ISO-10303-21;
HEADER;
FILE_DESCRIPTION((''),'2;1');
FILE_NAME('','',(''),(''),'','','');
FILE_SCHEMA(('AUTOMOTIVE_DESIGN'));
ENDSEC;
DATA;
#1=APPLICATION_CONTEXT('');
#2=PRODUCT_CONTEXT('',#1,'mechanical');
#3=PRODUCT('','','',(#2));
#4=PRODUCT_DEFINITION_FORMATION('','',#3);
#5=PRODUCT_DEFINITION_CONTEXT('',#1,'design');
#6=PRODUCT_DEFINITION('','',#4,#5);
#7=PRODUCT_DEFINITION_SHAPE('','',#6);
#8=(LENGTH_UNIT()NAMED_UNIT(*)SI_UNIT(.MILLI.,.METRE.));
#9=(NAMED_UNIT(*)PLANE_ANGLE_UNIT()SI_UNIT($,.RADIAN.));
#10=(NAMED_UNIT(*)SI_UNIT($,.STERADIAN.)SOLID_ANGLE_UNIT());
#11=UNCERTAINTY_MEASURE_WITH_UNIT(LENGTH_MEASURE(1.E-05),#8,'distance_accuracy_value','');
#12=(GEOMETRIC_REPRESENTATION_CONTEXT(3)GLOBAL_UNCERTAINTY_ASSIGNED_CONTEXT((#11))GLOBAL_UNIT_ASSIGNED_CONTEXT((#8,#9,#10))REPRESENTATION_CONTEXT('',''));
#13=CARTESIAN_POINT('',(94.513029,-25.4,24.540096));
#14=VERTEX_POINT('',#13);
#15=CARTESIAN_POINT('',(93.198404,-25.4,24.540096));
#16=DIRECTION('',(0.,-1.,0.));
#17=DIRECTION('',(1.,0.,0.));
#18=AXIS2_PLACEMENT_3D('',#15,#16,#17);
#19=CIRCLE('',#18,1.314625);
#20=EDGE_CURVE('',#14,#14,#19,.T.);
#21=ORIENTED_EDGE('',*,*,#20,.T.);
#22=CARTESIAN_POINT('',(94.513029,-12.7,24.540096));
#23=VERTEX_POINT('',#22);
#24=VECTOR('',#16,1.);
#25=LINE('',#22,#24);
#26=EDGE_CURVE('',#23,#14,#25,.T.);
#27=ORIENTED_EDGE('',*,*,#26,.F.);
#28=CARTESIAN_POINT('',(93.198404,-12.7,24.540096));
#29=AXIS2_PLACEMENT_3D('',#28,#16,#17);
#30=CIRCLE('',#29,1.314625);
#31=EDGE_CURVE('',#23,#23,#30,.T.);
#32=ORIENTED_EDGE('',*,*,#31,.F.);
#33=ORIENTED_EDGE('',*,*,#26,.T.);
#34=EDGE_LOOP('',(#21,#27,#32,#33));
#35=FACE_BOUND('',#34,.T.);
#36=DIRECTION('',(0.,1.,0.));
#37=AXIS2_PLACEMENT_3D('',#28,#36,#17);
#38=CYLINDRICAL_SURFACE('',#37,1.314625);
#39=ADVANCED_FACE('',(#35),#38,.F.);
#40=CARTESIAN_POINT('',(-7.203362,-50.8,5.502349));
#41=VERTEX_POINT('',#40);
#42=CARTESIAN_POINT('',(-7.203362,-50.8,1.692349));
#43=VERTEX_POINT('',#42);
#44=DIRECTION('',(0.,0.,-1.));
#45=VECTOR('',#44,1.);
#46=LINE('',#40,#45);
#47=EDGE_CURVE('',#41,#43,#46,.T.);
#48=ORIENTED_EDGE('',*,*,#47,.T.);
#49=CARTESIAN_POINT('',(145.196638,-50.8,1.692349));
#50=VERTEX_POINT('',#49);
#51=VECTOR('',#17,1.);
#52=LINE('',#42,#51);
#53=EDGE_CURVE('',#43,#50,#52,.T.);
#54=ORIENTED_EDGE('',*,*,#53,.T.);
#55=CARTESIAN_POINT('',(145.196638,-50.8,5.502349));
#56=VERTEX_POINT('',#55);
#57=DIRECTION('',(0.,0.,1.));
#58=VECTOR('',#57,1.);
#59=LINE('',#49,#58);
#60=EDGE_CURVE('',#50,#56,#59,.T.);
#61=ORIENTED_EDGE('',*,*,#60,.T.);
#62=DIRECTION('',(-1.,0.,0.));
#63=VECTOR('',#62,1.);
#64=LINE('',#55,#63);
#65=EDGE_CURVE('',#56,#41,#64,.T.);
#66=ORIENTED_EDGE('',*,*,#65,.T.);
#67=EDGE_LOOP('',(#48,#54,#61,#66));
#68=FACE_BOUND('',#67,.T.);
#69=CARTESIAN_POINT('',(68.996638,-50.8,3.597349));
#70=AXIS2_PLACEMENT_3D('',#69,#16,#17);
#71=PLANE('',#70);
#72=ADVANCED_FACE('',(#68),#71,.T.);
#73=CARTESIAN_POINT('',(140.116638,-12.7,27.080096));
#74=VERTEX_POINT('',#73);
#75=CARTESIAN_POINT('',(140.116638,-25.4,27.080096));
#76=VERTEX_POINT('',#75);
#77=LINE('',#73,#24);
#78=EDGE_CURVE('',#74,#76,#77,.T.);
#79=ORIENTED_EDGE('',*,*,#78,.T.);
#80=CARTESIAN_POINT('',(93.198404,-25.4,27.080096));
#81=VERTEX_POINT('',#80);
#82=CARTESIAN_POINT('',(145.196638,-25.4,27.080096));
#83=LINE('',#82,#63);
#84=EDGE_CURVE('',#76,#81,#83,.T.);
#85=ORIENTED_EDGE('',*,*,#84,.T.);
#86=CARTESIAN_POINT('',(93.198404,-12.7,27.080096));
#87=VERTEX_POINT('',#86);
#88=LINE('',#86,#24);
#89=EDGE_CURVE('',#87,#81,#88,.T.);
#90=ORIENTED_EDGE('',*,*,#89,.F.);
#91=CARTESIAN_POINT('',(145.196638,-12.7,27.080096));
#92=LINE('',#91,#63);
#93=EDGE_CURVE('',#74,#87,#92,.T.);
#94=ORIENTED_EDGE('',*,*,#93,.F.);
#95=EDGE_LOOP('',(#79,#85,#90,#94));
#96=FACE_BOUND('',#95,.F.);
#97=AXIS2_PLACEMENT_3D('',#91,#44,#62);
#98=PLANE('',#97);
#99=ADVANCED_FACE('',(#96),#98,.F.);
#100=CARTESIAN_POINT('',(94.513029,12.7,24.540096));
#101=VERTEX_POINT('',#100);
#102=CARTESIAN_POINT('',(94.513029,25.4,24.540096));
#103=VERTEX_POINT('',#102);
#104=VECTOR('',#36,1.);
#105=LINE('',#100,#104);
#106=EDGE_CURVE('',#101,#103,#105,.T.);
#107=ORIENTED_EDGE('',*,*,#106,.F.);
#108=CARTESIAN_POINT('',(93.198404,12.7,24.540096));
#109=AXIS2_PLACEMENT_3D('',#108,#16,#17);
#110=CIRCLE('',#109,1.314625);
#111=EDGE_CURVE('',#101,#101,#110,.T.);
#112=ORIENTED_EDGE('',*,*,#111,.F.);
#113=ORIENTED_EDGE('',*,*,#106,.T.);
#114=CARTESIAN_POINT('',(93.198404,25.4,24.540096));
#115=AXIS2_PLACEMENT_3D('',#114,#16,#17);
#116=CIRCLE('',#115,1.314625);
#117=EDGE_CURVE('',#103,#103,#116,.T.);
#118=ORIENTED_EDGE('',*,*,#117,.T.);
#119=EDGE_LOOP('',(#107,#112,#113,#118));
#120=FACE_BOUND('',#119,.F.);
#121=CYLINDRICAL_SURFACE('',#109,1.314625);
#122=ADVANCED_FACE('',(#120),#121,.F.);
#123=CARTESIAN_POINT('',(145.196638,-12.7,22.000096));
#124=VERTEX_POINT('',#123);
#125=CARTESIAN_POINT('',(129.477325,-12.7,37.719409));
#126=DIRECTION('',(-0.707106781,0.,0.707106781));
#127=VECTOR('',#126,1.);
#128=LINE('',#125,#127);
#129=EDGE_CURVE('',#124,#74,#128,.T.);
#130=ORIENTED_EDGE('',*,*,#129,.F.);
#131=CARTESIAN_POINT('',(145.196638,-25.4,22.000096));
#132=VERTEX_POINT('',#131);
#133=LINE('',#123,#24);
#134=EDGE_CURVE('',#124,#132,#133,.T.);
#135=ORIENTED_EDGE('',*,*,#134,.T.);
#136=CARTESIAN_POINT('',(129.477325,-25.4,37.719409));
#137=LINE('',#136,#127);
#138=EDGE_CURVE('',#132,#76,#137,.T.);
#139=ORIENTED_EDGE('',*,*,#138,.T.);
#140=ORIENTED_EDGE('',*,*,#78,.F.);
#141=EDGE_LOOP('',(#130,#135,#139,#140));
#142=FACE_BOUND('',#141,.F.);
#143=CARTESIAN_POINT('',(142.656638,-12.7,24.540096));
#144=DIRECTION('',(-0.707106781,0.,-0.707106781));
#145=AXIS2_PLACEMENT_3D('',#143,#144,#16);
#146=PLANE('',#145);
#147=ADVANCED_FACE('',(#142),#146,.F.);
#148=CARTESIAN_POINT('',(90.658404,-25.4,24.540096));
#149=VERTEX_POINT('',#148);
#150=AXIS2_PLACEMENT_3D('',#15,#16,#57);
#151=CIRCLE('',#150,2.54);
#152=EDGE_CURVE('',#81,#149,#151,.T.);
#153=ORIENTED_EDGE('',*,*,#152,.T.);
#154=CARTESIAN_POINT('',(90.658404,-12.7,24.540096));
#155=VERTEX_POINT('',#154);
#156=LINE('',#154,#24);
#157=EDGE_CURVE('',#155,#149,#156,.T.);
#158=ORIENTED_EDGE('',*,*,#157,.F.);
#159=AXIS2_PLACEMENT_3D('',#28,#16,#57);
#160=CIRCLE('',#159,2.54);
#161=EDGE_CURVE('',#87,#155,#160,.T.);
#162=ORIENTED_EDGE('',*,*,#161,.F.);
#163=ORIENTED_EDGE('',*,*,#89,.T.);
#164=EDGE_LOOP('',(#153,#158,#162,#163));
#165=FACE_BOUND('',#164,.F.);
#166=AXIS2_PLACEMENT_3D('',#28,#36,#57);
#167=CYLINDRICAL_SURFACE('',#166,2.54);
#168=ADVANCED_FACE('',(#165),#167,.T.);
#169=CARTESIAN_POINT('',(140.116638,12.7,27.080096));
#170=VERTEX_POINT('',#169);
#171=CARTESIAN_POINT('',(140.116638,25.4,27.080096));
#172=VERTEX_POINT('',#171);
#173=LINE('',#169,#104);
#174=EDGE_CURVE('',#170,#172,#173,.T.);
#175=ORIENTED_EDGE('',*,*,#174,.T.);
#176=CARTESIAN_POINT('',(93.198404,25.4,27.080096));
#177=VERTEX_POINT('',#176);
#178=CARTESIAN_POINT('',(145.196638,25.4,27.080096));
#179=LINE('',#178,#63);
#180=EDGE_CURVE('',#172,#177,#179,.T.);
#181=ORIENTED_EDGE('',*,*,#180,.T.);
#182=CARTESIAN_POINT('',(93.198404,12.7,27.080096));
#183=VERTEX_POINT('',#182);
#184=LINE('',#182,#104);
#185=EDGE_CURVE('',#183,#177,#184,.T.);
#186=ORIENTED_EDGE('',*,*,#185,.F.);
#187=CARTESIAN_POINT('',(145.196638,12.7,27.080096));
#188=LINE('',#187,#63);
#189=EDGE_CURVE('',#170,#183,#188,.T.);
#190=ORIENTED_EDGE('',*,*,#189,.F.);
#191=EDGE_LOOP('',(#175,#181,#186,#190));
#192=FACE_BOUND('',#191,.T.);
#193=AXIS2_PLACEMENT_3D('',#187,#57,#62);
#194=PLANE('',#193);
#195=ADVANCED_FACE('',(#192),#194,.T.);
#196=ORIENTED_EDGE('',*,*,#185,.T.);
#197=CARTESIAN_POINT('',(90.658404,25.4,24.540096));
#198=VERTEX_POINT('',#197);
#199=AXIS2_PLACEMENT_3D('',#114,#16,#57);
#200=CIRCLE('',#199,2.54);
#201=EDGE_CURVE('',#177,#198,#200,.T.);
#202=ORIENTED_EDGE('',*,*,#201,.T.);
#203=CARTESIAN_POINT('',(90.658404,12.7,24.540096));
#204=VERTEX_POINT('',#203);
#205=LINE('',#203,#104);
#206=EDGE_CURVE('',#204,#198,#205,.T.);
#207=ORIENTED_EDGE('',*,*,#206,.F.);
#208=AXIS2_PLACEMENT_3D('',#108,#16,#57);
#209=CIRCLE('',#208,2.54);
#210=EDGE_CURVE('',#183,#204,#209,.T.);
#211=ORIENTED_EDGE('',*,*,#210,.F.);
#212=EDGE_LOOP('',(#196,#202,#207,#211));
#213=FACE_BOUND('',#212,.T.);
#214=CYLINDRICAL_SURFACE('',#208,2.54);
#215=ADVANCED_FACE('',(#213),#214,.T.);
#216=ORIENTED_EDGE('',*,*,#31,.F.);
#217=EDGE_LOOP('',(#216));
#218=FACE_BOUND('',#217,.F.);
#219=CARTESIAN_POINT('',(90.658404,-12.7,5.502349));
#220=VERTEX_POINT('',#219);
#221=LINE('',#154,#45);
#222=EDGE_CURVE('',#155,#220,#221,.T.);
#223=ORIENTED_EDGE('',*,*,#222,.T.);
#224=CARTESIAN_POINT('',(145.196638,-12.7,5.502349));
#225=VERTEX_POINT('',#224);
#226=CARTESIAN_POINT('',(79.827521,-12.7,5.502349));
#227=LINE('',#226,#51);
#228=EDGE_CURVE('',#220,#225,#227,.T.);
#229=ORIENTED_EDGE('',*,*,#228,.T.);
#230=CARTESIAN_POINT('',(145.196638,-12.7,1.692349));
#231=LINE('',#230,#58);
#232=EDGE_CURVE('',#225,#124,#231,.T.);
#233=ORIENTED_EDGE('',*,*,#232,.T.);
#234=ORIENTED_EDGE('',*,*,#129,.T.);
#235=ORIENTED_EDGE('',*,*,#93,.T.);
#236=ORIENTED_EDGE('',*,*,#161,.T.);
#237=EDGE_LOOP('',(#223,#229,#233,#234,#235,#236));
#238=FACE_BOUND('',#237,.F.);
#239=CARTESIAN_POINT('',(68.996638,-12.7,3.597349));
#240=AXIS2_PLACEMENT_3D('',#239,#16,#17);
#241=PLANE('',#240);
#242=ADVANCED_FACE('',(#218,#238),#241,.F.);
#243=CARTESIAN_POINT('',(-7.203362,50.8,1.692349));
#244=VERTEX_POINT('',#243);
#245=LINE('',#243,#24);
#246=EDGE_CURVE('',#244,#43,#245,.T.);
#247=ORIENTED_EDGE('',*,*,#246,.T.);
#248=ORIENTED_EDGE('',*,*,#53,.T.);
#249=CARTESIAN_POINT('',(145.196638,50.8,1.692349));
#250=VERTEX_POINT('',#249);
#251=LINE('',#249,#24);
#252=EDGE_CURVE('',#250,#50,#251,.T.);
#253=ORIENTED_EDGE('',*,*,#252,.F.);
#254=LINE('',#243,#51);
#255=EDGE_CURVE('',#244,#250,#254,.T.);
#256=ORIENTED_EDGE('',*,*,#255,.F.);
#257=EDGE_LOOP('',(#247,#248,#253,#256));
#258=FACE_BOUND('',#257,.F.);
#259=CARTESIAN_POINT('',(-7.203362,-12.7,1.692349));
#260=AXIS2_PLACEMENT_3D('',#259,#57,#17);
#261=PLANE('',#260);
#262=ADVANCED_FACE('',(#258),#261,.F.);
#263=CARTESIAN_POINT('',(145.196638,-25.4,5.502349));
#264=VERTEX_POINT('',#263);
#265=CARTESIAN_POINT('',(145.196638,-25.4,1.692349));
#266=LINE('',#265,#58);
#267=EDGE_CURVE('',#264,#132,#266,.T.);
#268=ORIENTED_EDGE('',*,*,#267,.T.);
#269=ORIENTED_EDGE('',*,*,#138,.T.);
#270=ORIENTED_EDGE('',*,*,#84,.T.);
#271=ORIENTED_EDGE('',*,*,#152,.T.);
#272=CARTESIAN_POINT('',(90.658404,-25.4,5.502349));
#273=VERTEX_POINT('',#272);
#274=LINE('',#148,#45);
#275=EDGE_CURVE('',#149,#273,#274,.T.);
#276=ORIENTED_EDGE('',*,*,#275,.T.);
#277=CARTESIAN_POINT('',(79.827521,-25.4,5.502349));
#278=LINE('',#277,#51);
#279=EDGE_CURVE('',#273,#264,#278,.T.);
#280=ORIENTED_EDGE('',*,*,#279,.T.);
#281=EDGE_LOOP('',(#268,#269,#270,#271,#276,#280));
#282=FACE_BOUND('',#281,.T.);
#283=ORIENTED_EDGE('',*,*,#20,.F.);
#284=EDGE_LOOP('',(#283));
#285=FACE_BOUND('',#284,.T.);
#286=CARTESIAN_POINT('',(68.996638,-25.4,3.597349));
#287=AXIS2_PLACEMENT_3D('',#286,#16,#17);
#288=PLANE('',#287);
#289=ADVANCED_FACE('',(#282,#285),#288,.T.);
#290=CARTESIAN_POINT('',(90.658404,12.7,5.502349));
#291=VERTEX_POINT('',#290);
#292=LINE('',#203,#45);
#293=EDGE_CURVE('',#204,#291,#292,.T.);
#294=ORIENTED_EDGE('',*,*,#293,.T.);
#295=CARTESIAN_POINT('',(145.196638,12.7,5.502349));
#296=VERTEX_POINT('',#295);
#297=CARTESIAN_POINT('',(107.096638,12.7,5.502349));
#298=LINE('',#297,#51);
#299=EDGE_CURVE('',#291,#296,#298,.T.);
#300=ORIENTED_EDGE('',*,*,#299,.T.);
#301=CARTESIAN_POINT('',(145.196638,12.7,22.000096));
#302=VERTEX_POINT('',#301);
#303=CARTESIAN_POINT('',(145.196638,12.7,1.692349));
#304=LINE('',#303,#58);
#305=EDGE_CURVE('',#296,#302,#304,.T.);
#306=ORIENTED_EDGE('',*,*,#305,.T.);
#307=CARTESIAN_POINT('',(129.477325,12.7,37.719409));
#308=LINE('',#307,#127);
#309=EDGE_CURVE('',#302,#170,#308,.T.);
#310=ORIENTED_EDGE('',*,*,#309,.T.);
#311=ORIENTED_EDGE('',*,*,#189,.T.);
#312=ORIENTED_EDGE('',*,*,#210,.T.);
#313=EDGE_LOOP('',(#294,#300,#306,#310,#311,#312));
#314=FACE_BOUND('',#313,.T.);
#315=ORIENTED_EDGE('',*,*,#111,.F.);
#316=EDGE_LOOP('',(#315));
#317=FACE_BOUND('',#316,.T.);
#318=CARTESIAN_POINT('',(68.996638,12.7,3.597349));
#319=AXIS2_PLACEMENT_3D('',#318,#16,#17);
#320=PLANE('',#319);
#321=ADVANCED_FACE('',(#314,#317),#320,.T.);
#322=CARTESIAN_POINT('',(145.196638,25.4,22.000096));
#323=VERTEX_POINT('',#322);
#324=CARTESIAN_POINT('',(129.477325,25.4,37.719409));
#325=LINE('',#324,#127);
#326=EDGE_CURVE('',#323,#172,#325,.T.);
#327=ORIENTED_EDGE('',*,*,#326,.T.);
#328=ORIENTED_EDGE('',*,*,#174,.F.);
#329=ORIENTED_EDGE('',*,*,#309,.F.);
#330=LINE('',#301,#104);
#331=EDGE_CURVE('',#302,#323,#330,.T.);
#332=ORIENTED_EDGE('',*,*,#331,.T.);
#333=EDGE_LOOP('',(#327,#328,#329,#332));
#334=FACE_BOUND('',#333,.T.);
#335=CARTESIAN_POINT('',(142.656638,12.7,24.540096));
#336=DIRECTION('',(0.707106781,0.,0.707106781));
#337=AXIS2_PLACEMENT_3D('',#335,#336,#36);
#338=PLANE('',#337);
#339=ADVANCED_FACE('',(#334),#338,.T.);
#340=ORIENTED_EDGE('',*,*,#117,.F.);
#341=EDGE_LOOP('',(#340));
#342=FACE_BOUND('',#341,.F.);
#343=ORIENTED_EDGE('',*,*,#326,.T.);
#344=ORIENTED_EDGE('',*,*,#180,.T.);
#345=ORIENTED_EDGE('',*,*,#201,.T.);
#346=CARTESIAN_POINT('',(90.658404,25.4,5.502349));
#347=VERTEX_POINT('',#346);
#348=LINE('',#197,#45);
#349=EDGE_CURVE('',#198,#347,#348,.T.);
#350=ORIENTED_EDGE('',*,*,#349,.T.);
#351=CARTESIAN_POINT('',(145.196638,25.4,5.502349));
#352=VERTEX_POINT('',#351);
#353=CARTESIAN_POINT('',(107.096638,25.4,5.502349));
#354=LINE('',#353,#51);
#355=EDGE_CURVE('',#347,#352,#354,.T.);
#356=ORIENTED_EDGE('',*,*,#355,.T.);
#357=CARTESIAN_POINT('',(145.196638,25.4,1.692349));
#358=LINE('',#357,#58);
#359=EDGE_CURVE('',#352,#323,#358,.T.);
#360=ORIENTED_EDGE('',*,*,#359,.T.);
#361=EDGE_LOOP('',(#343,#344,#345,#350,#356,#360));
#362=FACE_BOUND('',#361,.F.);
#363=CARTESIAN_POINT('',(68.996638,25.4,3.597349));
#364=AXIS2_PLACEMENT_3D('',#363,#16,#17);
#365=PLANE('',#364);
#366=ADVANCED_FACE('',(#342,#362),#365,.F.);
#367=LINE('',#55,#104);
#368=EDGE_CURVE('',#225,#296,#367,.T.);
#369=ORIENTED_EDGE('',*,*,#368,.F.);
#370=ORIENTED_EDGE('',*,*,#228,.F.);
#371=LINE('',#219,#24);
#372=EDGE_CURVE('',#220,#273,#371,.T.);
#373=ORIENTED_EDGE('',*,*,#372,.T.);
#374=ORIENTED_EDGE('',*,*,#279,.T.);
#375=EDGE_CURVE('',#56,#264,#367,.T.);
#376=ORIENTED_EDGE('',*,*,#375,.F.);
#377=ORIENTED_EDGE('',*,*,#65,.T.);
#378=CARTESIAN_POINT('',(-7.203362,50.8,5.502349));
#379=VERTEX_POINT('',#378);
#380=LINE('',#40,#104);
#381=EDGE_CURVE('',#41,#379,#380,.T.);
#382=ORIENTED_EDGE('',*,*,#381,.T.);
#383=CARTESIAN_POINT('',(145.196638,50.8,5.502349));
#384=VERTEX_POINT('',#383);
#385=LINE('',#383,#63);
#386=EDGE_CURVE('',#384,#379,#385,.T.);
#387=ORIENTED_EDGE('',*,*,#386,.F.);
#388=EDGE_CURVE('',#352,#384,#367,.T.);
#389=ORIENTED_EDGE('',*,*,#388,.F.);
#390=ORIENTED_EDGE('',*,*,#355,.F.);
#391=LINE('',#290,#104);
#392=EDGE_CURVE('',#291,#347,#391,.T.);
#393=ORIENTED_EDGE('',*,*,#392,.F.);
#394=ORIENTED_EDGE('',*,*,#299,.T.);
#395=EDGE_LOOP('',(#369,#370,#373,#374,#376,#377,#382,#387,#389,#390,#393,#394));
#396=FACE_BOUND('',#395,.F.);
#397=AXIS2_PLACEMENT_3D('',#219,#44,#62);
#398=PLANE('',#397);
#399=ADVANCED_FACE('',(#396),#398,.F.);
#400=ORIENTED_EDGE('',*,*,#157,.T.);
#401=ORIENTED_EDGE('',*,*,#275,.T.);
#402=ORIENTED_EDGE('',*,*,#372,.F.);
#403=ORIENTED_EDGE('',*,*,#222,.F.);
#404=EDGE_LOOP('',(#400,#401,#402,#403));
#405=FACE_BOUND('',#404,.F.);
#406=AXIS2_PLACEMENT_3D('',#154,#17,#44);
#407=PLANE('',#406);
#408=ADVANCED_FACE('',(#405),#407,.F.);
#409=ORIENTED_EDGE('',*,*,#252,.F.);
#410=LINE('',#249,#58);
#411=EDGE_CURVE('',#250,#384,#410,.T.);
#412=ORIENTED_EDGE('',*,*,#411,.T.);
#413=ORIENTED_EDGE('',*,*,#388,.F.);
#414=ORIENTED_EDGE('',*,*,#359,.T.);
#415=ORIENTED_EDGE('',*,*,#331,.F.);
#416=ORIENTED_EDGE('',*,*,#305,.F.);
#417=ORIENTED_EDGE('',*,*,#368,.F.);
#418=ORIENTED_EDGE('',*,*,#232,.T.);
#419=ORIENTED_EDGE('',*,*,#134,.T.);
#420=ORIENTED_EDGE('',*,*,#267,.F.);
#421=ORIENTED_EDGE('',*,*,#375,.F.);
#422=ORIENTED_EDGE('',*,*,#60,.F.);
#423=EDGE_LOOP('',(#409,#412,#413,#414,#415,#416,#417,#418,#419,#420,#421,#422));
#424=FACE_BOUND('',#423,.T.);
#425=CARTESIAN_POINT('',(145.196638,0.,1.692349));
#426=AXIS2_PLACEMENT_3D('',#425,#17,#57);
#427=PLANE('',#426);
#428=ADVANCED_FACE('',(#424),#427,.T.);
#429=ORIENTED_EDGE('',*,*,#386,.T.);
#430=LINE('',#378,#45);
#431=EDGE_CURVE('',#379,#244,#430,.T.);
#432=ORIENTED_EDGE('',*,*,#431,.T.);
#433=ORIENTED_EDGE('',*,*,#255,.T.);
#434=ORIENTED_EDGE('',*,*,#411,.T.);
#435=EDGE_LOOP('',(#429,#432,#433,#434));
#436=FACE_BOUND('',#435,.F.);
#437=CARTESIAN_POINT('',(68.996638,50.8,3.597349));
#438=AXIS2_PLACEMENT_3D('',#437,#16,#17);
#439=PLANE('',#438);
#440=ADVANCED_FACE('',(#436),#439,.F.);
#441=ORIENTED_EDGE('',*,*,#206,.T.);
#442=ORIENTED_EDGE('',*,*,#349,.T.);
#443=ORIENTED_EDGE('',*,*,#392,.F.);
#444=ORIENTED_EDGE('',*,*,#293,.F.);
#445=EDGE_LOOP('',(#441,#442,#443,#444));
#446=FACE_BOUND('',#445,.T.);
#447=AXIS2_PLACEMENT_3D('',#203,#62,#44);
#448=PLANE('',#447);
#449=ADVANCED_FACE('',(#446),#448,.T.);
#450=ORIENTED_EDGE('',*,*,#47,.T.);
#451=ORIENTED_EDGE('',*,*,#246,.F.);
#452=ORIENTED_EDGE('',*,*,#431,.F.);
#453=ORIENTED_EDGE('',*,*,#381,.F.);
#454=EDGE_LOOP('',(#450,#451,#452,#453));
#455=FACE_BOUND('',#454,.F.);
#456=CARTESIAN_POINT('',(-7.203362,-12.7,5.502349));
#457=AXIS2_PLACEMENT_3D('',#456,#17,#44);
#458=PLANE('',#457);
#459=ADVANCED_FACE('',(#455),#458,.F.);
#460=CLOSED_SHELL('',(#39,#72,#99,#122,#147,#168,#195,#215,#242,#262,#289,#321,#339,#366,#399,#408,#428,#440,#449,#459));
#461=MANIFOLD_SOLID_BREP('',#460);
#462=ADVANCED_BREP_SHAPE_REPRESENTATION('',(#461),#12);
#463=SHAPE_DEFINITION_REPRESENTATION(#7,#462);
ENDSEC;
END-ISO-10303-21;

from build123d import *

# Parameters (mm, degrees)
F1_DEPTH = 50.8
F2_START = -12.7
F0_R     = 1.3146247551
F2_DEPTH = 12.7
F3_START = 12.7
F3_DEPTH = 12.7
F4_SIZE  = 5.08


with BuildPart() as f1:
    # F0 (on Front) → F1 (new body, symmetric)
    with BuildSketch(Plane.XZ):
        Polygon((90.658403933, 5.5023488702), (-7.2033622317, 5.5023488702), (-7.2033622317, 1.6923488702), (145.1966377683, 1.6923488702), (145.1966377683, 5.5023488702), align=None)
    extrude(amount=F1_DEPTH, both=True)

    # F0 (on Front) → F2 (join)
    with BuildSketch(Plane.XZ.offset(F2_START)):
        Polygon((90.658403933, 5.5023488702), (-7.2033622317, 5.5023488702), (-7.2033622317, 1.6923488702), (145.1966377683, 1.6923488702), (145.1966377683, 5.5023488702), align=None)
        with BuildLine():
            Line((90.658403933, 24.540095979), (90.658403933, 5.5023488702))
            Line((90.658403933, 5.5023488702), (145.1966377683, 5.5023488702))
            Line((145.1966377683, 5.5023488702), (145.1966377683, 27.080095979))
            Line((145.1966377683, 27.080095979), (93.198403933, 27.080095979))
            ThreePointArc((93.198403933, 27.080095979), (91.4023527088, 26.3361472032), (90.658403933, 24.540095979))
        make_face()
        with Locations((93.198403933, 24.540095979)):
            Circle(F0_R, mode=Mode.SUBTRACT)
    extrude(amount=-F2_DEPTH)

    # F0 (on Front) → F3 (join)
    with BuildSketch(Plane.XZ.offset(F3_START)):
        Polygon((90.658403933, 5.5023488702), (-7.2033622317, 5.5023488702), (-7.2033622317, 1.6923488702), (145.1966377683, 1.6923488702), (145.1966377683, 5.5023488702), align=None)
        with BuildLine():
            Line((90.658403933, 24.540095979), (90.658403933, 5.5023488702))
            Line((90.658403933, 5.5023488702), (145.1966377683, 5.5023488702))
            Line((145.1966377683, 5.5023488702), (145.1966377683, 27.080095979))
            Line((145.1966377683, 27.080095979), (93.198403933, 27.080095979))
            ThreePointArc((93.198403933, 27.080095979), (91.4023527088, 26.3361472032), (90.658403933, 24.540095979))
        make_face()
        with Locations((93.198403933, 24.540095979)):
            Circle(F0_R, mode=Mode.SUBTRACT)
    extrude(amount=F3_DEPTH)

    # F4
    f4_edges = [f1.edges().sort_by_distance(p)[0] for p in [
        (145.196638, 19.05, 27.080096),
        (145.196638, -19.05, 27.080096),
    ]]
    chamfer(f4_edges, length=F4_SIZE)


solid = f1.part
